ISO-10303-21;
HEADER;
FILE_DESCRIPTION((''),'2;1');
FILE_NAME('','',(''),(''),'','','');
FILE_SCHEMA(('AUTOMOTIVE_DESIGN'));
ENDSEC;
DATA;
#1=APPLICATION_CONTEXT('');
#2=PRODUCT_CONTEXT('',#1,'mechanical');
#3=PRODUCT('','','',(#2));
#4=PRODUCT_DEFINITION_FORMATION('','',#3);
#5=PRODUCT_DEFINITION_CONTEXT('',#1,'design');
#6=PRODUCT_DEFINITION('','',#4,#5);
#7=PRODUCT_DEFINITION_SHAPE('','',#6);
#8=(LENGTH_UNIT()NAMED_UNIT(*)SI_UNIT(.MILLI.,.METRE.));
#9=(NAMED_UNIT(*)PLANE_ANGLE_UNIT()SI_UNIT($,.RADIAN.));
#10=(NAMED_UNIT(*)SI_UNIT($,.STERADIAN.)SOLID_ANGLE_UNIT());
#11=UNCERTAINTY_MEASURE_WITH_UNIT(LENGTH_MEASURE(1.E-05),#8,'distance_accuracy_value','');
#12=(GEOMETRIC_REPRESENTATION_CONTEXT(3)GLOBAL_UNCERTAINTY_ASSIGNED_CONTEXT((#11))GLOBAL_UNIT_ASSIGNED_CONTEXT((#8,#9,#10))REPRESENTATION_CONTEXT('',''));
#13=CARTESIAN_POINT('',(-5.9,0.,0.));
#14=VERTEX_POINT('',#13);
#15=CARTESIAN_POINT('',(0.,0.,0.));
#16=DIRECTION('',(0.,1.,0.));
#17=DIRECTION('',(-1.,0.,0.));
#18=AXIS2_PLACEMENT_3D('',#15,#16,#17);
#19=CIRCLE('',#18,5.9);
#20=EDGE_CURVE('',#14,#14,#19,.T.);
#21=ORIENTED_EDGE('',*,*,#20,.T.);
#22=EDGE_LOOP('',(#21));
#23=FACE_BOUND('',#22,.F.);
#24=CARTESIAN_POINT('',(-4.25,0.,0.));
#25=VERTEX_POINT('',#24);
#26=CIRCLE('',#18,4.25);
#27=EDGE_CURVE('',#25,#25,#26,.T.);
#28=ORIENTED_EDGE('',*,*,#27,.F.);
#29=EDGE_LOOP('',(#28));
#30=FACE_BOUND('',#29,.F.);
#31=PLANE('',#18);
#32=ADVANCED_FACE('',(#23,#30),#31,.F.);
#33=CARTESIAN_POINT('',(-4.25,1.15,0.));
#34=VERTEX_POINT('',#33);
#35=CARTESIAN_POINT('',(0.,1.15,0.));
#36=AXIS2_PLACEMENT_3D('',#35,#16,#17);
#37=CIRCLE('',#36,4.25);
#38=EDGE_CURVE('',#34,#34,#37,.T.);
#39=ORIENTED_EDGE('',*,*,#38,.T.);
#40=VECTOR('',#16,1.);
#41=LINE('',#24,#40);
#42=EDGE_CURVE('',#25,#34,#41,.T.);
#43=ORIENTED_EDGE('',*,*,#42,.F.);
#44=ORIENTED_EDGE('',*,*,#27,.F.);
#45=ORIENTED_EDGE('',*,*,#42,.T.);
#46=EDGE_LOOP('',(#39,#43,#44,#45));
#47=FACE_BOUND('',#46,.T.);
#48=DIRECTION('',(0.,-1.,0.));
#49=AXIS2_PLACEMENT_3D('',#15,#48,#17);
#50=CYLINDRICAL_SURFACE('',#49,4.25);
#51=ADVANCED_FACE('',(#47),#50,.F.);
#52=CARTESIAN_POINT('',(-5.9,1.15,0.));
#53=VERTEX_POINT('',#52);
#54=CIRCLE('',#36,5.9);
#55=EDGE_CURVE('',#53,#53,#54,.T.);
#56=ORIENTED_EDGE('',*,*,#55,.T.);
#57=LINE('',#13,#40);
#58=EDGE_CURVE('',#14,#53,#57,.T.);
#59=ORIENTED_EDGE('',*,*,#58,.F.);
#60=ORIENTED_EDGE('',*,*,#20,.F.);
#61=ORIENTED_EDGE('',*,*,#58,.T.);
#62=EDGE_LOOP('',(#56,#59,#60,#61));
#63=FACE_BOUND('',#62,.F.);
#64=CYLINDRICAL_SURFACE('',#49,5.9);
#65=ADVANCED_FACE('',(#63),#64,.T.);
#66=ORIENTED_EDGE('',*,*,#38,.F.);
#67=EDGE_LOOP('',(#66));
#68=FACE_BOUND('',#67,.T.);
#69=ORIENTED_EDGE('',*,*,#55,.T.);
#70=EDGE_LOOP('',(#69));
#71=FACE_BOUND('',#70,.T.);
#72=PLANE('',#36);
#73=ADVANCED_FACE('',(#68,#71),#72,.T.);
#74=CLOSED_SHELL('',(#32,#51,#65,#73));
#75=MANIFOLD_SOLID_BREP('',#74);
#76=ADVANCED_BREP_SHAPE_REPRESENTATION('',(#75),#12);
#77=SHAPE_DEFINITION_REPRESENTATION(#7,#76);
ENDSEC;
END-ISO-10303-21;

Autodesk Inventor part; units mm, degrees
ref_plane "YZ Plane" through (0, 0, 0) normal (1, 0, 0) x (0, 1, 0)
ref_plane "XZ Plane" through (0, 0, 0) normal (0, 1, 0) x (-1, 0, 0)
ref_plane "XY Plane" through (0, 0, 0) normal (0, 0, 1) x (1, 0, 0)
sketch "Sketch1" plane through (0, 0, 0) normal (0, 1, 0) x (-1, 0, 0)
  circle A0 centre (0, 0) radius 4.25
  circle A1 centre (0, 0) radius 5.9
  dimension "d0" = 8.5
  dimension "d1" = 11.8
extrude "Extrusion1" add sketch "Sketch1" along normal blind 1.15
properties part number "Shim Washer 8mm" material "Aluminum 6061"
